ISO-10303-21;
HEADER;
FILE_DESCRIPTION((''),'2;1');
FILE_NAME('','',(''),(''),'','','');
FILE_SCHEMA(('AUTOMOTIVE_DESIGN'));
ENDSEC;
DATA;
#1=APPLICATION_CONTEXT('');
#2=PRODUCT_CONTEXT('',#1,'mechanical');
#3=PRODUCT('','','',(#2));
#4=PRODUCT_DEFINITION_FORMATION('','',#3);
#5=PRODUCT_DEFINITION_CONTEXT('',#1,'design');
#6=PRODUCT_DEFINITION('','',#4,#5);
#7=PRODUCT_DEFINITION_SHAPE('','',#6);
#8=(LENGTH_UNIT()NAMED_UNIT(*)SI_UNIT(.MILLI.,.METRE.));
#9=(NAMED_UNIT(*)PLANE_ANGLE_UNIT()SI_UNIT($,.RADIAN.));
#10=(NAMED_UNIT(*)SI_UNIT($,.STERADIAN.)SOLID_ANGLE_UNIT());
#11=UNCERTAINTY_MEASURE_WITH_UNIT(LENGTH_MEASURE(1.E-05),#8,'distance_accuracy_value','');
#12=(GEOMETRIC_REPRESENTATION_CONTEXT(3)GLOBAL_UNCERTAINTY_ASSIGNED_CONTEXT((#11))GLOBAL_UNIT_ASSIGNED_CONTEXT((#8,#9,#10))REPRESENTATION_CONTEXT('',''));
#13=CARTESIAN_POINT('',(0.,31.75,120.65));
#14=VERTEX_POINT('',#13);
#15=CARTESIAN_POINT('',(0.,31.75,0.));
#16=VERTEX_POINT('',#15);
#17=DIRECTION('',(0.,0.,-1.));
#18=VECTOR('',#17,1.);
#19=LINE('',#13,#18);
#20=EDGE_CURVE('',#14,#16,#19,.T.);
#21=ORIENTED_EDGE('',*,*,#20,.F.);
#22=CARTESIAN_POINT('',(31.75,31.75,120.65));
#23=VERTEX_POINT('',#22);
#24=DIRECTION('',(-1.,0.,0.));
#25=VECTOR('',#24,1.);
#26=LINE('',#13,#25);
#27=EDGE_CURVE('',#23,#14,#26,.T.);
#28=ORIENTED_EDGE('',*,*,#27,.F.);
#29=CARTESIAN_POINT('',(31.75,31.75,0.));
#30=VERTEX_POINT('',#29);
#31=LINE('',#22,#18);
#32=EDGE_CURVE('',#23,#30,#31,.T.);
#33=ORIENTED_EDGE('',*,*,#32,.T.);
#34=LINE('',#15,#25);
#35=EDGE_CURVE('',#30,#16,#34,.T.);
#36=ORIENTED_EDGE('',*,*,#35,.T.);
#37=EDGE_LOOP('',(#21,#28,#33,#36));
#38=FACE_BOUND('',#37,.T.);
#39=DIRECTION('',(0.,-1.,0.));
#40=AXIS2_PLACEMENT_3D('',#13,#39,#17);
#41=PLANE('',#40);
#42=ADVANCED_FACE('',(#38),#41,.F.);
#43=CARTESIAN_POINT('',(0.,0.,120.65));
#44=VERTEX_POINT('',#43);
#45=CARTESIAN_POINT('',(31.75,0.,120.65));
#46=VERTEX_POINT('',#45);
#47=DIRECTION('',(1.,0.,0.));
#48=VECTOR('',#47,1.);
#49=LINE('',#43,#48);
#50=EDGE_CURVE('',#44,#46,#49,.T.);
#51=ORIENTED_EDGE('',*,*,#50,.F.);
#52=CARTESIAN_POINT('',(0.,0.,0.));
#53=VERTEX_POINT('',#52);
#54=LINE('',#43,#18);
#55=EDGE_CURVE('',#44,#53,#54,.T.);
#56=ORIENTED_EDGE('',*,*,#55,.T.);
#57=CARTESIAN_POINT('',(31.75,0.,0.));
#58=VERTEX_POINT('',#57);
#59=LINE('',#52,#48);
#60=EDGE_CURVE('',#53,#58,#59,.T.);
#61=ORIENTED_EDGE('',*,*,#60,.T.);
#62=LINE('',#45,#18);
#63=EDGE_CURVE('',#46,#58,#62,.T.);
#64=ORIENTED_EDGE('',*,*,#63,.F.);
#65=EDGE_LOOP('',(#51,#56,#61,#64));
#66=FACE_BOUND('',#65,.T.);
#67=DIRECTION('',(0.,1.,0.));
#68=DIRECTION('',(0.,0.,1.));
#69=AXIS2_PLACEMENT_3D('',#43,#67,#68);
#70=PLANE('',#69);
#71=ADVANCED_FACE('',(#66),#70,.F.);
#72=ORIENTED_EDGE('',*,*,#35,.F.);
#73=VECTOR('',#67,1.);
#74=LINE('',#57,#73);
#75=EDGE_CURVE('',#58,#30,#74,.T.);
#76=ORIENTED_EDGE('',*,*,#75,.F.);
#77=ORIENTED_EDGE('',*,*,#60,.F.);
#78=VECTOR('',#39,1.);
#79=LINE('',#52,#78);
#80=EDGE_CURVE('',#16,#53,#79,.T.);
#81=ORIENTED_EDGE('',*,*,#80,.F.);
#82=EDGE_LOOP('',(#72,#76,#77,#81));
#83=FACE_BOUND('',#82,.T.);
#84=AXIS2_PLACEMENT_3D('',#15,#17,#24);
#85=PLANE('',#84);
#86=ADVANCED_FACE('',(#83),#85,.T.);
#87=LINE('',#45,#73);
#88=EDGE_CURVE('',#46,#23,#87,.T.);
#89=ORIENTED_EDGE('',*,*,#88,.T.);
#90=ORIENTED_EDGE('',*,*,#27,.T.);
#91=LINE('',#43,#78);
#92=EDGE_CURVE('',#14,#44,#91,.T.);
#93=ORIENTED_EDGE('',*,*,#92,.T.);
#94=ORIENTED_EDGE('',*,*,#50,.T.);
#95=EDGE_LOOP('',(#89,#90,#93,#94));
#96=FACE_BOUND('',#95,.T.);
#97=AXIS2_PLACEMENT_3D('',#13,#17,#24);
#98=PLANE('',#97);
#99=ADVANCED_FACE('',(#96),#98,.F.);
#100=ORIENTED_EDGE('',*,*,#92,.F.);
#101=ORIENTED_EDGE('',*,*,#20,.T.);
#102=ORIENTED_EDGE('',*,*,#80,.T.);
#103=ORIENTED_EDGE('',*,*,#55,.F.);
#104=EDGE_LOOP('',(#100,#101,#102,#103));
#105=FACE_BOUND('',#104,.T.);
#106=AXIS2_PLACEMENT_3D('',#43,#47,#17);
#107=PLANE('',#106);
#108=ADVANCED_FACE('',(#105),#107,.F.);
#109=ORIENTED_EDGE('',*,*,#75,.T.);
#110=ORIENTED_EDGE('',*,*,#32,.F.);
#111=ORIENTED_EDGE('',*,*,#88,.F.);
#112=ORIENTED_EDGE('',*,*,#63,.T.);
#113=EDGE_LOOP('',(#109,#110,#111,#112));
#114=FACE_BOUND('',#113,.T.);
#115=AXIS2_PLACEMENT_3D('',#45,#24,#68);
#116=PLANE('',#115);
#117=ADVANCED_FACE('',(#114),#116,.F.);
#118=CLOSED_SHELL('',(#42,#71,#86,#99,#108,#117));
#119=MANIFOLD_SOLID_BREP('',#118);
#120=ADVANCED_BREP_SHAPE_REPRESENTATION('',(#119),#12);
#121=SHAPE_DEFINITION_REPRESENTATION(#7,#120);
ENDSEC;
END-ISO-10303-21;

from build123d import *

# Parameters (mm, degrees)
SKETCH1_W      = 31.75
SKETCH1_H      = 31.75
EXTRUDE1_DEPTH = 120.65


with BuildPart() as part:
    # Sketch1 → Extrude1 (new body)
    with BuildSketch(Plane.XY):
        with Locations((15.875, 15.875)):
            Rectangle(SKETCH1_W, SKETCH1_H)
    extrude(amount=EXTRUDE1_DEPTH)


solid = part.part
